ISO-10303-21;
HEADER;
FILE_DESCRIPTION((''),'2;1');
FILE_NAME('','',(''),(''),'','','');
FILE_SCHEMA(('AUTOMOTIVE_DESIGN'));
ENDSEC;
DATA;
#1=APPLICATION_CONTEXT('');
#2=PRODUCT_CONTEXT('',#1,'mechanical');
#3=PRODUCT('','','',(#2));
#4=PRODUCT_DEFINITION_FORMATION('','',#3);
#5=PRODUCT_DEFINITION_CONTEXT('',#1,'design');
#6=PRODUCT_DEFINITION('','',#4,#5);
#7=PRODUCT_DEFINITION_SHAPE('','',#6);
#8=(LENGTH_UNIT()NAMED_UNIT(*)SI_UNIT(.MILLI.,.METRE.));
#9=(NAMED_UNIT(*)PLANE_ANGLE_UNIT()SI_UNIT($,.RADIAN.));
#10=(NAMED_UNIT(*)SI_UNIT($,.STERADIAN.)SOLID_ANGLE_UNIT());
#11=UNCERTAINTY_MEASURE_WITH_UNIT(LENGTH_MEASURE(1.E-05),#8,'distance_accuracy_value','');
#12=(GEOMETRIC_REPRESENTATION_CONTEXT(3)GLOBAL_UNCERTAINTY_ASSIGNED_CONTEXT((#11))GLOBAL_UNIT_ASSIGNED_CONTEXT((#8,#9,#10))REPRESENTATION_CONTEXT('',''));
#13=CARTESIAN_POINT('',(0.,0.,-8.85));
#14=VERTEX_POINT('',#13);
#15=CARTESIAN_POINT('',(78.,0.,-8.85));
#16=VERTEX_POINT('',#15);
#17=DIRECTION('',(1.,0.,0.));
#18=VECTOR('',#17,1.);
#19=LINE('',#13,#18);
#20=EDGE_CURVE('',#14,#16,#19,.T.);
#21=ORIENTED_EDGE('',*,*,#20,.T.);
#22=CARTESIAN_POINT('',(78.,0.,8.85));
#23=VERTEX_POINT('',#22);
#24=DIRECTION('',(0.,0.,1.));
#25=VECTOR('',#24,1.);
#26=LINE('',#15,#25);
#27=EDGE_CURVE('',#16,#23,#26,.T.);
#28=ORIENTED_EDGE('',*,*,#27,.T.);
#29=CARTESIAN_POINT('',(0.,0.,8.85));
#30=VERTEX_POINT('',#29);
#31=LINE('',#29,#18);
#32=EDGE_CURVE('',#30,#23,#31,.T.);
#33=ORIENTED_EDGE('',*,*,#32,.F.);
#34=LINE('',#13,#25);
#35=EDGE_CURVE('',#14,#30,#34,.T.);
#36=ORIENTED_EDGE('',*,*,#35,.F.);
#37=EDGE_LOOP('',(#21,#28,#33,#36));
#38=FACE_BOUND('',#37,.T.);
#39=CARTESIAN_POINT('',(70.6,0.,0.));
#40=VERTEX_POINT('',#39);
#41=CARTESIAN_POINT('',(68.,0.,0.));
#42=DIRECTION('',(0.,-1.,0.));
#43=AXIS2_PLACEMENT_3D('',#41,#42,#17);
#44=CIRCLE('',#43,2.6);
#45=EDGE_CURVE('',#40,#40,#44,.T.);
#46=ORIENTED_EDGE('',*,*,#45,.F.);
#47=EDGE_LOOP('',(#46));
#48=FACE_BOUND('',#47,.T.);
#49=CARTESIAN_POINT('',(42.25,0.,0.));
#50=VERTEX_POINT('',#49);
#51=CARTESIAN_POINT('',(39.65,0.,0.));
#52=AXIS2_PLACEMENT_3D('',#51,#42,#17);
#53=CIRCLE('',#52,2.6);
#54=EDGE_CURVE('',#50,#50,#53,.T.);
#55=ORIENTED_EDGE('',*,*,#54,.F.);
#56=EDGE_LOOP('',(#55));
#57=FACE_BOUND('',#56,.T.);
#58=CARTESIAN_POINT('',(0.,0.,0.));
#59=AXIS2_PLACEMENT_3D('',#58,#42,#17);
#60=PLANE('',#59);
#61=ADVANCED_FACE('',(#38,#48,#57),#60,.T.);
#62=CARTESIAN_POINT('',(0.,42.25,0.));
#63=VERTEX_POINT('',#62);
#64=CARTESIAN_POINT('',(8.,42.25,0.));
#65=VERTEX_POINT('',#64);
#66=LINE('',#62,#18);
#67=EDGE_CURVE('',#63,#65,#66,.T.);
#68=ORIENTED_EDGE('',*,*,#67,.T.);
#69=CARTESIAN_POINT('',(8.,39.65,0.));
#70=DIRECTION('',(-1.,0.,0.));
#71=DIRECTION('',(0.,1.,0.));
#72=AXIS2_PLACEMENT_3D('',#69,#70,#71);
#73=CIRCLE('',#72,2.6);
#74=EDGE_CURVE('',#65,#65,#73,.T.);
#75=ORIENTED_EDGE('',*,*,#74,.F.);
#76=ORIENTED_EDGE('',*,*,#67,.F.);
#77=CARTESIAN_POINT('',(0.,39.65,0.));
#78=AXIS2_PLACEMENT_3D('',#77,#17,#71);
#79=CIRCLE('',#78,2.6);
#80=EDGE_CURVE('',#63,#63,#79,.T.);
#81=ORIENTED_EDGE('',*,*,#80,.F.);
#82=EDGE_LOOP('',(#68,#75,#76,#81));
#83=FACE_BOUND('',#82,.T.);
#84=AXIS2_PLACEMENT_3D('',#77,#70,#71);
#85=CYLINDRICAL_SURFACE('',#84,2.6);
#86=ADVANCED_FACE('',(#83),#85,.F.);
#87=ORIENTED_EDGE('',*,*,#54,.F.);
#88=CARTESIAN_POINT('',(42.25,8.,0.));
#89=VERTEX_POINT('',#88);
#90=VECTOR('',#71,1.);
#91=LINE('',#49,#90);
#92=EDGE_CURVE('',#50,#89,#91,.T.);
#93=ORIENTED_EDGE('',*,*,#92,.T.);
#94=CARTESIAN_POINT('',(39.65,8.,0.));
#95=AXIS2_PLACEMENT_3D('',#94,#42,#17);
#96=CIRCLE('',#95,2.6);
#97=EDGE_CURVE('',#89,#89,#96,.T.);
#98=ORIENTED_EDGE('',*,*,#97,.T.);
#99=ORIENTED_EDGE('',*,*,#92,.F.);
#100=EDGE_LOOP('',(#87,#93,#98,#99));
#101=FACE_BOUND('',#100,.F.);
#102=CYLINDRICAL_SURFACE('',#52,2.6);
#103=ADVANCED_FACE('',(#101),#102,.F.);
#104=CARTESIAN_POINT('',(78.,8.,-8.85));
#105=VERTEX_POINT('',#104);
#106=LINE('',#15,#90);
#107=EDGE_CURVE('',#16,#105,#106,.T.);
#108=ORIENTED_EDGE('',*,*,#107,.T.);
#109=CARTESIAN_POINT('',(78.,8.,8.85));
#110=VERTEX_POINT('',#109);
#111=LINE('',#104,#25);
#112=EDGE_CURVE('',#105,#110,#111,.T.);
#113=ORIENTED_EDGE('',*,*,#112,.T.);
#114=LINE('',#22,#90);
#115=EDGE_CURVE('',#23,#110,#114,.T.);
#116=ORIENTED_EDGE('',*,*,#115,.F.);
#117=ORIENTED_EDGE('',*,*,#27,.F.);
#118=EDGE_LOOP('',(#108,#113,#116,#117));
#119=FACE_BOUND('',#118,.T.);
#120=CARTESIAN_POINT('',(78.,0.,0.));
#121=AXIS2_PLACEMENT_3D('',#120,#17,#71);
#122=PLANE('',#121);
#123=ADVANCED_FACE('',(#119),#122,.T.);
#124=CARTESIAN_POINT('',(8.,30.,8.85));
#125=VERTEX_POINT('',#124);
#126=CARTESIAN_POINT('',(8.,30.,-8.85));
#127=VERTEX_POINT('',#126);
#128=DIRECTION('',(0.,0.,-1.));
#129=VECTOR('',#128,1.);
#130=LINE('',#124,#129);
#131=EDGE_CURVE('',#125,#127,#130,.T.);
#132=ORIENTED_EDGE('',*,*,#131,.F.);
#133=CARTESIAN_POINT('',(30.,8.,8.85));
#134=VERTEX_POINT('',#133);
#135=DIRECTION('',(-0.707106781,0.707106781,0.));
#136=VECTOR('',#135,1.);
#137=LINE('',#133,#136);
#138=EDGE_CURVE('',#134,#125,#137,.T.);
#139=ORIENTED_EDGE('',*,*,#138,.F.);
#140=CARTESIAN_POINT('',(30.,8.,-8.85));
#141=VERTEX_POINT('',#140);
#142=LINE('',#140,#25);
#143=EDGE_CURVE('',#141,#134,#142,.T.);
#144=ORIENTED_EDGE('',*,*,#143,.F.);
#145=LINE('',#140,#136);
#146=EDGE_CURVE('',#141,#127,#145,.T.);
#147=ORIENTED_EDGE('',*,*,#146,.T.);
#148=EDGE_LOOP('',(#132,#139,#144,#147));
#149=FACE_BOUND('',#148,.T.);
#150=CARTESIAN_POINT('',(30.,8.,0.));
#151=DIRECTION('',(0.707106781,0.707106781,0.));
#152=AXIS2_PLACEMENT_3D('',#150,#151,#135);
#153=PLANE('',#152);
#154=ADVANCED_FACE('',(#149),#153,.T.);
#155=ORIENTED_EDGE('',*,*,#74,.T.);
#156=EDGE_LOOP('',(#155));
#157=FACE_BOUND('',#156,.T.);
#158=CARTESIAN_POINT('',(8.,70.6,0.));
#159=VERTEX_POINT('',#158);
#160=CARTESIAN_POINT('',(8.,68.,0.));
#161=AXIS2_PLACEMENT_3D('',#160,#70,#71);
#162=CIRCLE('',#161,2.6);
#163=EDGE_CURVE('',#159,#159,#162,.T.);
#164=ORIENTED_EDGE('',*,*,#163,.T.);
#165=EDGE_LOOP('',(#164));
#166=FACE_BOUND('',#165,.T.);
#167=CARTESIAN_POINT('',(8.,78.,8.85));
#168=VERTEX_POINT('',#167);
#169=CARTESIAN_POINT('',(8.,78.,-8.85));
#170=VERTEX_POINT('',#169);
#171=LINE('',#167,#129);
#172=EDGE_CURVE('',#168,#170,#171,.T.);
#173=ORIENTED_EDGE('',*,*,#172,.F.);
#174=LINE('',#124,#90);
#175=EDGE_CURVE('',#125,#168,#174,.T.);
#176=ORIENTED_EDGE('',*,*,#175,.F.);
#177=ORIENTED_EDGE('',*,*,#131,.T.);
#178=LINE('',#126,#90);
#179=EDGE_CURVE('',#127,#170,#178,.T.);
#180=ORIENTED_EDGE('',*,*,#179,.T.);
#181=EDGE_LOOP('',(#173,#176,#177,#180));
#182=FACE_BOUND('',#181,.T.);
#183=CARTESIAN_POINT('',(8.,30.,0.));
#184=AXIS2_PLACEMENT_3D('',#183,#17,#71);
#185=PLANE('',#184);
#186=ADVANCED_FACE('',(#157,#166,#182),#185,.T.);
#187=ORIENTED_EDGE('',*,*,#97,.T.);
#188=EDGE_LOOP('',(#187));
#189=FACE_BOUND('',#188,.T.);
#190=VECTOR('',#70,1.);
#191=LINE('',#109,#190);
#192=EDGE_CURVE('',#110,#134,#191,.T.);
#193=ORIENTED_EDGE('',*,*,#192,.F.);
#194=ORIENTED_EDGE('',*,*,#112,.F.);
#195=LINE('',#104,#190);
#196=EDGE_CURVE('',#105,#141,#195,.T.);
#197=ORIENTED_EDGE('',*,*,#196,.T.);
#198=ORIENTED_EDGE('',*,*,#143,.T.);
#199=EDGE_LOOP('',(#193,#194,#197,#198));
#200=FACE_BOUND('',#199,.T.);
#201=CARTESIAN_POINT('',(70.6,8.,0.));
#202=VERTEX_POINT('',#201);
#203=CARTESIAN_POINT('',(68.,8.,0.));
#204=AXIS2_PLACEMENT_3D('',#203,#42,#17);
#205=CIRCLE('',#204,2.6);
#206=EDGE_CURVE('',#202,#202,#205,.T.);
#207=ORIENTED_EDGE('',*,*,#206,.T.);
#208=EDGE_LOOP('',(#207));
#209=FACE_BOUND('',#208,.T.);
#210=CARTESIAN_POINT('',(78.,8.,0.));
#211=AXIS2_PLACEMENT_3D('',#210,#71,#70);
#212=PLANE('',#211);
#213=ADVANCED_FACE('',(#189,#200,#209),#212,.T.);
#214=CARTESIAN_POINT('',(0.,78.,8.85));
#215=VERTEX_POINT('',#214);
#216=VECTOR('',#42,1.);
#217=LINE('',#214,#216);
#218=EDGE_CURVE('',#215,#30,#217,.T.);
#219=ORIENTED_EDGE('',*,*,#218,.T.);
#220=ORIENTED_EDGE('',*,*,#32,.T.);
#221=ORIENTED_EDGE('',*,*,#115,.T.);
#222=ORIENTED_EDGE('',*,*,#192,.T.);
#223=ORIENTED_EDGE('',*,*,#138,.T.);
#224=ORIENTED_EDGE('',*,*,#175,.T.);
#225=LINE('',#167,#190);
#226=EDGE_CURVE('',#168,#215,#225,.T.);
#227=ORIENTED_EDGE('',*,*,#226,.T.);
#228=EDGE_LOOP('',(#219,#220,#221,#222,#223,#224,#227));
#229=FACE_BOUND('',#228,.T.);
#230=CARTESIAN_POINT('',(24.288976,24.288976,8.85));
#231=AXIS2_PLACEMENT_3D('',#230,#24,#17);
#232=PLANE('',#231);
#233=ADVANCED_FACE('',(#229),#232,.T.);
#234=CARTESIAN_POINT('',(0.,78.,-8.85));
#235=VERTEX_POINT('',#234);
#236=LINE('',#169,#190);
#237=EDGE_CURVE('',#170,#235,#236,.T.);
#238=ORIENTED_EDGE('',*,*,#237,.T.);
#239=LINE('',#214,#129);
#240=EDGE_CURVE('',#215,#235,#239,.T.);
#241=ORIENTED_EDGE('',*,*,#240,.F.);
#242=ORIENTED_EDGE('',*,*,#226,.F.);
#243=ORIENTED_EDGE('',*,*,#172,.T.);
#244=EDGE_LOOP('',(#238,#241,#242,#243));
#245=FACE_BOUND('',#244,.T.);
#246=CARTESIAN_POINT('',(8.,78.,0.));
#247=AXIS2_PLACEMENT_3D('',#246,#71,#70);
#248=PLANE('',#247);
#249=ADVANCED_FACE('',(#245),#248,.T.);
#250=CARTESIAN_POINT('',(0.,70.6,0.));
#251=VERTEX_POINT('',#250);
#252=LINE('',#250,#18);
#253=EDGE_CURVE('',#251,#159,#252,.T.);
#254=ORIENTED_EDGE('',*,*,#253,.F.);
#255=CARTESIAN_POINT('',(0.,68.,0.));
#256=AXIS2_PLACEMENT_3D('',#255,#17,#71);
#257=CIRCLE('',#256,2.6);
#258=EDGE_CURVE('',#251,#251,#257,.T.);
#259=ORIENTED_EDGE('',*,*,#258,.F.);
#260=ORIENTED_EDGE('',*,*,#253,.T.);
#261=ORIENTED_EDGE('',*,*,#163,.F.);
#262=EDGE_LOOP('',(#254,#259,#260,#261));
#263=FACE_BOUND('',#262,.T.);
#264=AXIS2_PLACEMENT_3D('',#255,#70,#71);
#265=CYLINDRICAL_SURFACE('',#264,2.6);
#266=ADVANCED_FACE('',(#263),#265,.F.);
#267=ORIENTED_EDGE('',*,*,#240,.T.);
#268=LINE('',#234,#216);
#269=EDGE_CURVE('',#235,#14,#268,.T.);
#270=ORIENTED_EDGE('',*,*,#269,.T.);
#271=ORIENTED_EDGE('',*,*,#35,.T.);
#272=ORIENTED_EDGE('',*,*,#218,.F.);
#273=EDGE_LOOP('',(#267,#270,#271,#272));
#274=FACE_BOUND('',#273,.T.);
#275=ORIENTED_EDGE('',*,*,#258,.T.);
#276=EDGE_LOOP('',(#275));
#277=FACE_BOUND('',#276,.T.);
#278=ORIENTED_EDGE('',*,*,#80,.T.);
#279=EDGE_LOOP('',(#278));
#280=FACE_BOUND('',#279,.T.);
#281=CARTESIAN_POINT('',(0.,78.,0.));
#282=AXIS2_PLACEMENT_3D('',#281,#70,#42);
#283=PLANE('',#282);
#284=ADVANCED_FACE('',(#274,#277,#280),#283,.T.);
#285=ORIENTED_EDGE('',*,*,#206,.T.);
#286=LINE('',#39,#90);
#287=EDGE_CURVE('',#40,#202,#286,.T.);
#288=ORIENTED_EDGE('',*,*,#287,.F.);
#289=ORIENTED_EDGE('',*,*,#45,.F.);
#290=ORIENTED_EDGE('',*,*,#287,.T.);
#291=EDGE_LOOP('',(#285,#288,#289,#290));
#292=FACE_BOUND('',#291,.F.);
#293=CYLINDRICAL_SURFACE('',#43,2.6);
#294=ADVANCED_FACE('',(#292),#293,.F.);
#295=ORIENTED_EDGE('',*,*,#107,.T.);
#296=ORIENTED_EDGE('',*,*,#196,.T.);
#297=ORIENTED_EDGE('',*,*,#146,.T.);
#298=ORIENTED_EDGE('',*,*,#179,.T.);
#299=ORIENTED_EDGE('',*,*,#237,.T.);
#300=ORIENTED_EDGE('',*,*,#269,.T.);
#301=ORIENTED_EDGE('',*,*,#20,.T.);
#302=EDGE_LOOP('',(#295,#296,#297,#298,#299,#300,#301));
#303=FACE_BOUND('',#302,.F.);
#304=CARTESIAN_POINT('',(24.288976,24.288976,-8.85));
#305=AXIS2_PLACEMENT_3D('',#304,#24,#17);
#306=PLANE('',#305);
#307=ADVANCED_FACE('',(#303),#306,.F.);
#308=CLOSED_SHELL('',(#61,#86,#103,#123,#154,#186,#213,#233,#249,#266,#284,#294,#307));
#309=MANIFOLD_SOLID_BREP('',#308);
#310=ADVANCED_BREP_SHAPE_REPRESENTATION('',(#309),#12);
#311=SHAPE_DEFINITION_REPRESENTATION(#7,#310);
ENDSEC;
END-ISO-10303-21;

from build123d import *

# Parameters (mm, degrees)
PAD_DEPTH       = 8.85
SKETCH001_R     = 2.6
POCKET_DEPTH    = 78.001
SKETCH002_R     = 2.6
POCKET001_DEPTH = 78.001


with BuildPart() as part:
    # Sketch → Pad (new body, symmetric)
    with BuildSketch(Plane.XY):
        Polygon((0, 78), (0, 0), (78, 0), (78, 8), (30, 8), (8, 30), (8, 78), align=None)
    extrude(amount=PAD_DEPTH, both=True)

    # Sketch001 → Pocket (cut, through all)
    with BuildSketch(Plane.XZ):
        with Locations((39.65, 0)):
            Circle(SKETCH001_R)
        with Locations((68, 0)):
            Circle(SKETCH001_R)
    extrude(amount=-POCKET_DEPTH, mode=Mode.SUBTRACT)

    # Sketch002 → Pocket001 (cut, through all)
    with BuildSketch(Plane.YZ):
        with Locations((39.65, 0)):
            Circle(SKETCH002_R)
        with Locations((68, 0)):
            Circle(SKETCH002_R)
    extrude(amount=POCKET001_DEPTH, mode=Mode.SUBTRACT)


solid = part.part
